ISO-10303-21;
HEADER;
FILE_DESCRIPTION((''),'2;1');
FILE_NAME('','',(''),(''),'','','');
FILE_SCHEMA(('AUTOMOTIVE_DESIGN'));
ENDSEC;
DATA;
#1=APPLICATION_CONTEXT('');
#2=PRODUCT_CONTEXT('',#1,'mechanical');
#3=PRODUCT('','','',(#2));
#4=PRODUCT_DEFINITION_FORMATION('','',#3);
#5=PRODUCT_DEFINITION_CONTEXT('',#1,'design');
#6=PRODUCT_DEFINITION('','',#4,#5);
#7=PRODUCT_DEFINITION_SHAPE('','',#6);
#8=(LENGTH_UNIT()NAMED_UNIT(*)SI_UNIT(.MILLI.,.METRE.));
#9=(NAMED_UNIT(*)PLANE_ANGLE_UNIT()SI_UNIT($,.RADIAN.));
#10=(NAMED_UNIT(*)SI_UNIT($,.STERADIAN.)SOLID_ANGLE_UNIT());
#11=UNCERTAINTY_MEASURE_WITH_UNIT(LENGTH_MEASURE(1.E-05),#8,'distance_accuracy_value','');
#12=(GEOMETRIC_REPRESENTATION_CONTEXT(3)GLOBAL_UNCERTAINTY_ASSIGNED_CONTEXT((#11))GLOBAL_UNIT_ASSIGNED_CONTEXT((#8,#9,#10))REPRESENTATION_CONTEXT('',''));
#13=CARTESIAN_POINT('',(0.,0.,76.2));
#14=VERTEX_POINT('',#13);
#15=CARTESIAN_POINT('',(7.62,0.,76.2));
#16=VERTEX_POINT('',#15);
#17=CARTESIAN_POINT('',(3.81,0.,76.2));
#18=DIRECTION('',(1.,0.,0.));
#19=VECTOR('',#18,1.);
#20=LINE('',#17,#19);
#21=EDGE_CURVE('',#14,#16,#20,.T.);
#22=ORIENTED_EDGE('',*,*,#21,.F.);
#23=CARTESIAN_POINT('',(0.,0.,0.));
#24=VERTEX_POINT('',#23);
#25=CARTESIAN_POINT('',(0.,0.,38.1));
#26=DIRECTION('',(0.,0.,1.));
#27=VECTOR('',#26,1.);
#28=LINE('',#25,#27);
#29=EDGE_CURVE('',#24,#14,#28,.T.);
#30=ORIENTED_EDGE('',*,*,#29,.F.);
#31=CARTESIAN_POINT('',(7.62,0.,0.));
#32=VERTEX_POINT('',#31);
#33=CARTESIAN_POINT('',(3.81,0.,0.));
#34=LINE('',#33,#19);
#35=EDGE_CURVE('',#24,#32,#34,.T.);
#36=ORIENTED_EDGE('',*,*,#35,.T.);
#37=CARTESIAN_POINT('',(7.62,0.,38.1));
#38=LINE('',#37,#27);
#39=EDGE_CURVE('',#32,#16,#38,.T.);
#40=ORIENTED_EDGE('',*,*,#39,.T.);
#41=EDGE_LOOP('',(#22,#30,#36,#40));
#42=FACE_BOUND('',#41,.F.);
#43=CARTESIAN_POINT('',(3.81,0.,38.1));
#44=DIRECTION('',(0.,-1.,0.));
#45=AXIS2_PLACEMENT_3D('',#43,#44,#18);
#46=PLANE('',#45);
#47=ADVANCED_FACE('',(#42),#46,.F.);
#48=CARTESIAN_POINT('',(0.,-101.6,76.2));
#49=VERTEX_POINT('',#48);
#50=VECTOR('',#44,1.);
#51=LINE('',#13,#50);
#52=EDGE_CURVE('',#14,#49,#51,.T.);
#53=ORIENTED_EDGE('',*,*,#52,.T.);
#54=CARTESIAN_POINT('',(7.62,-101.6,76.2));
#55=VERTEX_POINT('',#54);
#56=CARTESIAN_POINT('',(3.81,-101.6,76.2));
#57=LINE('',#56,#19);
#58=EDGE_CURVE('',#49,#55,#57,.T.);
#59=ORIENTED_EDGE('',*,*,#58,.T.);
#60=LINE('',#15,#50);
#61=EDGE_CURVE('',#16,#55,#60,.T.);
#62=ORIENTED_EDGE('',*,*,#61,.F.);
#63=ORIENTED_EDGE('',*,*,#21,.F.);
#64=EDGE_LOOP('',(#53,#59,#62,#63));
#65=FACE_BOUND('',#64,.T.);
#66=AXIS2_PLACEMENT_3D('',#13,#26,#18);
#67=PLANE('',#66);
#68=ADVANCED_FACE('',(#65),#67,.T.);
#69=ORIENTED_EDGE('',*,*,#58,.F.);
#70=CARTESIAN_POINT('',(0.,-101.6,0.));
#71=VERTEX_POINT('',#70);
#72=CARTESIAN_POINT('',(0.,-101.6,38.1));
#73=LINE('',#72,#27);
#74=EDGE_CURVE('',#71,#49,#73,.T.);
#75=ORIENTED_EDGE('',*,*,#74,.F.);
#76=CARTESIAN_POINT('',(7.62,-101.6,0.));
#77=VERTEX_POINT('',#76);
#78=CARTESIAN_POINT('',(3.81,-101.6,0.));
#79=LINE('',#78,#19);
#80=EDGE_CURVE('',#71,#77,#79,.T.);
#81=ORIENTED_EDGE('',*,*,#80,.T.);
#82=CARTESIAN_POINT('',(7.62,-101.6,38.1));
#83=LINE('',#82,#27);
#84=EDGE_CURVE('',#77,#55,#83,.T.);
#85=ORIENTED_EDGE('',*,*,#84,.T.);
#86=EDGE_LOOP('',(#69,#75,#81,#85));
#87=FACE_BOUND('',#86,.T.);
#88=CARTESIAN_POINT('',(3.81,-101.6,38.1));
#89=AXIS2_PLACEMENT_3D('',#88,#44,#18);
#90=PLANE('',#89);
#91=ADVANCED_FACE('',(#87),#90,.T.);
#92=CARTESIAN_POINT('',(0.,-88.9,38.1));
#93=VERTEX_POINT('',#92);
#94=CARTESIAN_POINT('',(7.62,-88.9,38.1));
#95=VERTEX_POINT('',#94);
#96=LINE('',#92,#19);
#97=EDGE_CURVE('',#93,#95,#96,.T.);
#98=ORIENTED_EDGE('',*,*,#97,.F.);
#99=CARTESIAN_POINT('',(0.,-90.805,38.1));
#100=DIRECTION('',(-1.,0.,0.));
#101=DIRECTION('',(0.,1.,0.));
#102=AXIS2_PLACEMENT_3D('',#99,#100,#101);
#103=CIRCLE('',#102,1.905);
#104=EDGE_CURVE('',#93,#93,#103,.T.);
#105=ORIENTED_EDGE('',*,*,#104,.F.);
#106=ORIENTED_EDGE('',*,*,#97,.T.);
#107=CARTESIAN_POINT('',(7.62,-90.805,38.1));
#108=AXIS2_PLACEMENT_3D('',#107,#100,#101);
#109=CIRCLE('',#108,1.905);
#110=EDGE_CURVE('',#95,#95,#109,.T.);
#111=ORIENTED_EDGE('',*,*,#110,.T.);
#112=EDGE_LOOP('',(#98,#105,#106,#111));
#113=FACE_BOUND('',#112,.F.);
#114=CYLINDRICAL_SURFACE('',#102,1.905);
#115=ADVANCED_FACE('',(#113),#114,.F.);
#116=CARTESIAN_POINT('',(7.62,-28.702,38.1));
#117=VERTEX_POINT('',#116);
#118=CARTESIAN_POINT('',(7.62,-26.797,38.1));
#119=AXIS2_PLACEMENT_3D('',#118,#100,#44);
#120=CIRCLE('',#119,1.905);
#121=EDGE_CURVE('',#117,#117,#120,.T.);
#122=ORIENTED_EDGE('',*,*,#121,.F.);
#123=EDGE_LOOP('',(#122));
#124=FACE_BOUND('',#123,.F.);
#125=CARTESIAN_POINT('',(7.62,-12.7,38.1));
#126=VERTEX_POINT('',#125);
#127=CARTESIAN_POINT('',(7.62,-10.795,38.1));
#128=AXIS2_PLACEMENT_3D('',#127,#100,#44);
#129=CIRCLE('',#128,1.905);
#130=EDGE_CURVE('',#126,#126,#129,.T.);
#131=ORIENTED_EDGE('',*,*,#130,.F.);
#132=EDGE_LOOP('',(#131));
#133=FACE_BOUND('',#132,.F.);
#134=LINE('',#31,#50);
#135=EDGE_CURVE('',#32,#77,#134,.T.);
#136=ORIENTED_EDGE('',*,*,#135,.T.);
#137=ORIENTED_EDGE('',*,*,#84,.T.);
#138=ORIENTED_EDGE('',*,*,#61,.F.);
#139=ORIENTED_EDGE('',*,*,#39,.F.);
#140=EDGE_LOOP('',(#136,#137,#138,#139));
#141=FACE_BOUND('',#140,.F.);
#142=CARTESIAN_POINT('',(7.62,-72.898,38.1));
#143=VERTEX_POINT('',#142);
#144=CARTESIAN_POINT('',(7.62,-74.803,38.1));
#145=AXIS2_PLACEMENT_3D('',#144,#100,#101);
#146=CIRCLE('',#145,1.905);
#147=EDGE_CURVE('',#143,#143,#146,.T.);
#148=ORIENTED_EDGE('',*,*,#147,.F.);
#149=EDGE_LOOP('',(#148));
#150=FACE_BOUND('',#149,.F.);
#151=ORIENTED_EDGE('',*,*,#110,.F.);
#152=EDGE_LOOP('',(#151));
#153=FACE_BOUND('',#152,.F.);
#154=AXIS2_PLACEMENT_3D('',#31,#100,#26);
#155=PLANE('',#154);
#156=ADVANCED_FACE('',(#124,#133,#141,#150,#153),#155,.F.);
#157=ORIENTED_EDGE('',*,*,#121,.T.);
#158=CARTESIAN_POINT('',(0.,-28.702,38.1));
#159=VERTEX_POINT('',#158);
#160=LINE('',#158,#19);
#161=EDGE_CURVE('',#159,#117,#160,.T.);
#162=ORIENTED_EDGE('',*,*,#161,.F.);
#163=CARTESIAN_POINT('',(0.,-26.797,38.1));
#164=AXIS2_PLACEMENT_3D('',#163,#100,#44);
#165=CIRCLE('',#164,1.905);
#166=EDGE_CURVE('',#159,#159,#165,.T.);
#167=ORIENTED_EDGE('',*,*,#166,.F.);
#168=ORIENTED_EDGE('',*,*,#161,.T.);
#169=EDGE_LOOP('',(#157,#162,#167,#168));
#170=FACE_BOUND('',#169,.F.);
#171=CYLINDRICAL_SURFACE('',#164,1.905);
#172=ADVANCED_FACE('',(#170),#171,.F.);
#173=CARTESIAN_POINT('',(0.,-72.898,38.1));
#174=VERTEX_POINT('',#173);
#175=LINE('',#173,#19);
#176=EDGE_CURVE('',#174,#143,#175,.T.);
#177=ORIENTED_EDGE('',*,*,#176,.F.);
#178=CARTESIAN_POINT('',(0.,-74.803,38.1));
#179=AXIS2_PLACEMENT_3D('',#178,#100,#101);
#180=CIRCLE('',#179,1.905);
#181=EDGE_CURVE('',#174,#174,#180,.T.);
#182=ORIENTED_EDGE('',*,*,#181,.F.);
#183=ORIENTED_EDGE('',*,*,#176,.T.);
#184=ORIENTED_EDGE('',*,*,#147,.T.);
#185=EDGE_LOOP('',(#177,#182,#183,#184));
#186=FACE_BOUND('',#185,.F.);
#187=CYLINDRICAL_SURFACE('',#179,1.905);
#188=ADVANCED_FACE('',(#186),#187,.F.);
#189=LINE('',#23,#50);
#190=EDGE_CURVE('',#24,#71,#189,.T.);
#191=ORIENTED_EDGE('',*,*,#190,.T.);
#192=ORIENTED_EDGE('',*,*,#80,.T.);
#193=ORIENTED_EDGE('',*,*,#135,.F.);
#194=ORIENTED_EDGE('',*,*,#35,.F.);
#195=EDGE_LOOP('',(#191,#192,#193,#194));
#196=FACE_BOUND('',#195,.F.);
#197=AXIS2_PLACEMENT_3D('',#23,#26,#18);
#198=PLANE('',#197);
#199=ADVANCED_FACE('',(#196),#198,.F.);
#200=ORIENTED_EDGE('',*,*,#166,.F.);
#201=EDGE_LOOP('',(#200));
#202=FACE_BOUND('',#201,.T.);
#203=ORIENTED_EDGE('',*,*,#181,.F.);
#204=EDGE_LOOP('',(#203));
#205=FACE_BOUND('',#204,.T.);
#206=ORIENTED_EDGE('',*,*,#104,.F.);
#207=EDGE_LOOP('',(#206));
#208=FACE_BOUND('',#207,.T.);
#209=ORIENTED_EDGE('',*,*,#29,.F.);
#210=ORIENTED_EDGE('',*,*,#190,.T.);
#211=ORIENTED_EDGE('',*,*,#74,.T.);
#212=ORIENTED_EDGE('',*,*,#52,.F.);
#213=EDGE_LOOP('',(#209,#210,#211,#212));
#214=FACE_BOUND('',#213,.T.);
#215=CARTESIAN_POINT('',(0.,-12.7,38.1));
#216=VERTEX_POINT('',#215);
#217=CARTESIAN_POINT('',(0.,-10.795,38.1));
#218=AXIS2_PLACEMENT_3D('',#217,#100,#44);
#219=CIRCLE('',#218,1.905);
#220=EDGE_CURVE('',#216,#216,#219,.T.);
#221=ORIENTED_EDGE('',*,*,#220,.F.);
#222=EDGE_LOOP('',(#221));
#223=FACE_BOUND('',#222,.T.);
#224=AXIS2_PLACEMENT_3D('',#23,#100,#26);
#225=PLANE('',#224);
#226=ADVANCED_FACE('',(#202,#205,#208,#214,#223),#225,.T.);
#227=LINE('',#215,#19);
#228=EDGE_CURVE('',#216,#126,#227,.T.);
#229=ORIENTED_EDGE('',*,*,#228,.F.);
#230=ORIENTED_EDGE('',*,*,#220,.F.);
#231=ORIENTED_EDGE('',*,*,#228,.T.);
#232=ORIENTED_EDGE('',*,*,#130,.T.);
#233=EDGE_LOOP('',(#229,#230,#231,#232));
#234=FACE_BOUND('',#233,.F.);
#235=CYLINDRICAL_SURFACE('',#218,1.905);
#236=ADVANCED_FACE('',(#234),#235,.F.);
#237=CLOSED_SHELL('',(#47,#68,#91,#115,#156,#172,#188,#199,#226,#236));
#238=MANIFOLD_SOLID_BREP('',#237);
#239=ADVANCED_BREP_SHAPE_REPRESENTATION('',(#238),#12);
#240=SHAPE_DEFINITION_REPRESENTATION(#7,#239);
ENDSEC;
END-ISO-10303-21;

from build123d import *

# Parameters (mm, degrees)
F0_W     = 7.62
F0_H     = 76.2
F1_DEPTH = 101.6
F2_R     = 1.905
F3_DEPTH = 25.4


with BuildPart() as f1:
    # F0 (on Front) → F1 (new body)
    with BuildSketch(Plane.XZ):
        with Locations((3.81, 38.1)):
            Rectangle(F0_W, F0_H)
    extrude(amount=F1_DEPTH)

    # F2 (on face) → F3 (cut)
    with BuildSketch(Plane(origin=(0, 0, 0), x_dir=(0, -1, 0), z_dir=(-1, 0, 0))):
        with BuildLine():
            ThreePointArc((92.71, 38.1), (90.805, 40.005), (88.9, 38.1))
            ThreePointArc((88.9, 38.1), (90.805, 36.195), (92.71, 38.1))
        make_face()
        with BuildLine():
            ThreePointArc((76.708, 38.1), (74.803, 40.005), (72.898, 38.1))
            Line((72.898, 38.1), (74.803, 38.1))
            Line((74.803, 38.1), (76.708, 38.1))
        make_face()
        with BuildLine():
            Line((74.803, 38.1), (72.898, 38.1))
            ThreePointArc((72.898, 38.1), (74.803, 36.195), (76.708, 38.1))
            Line((76.708, 38.1), (74.803, 38.1))
        make_face()
        with Locations((26.797, 38.1)):
            Circle(F2_R)
        with Locations((10.795, 38.1)):
            Circle(F2_R)
    extrude(amount=-F3_DEPTH, mode=Mode.SUBTRACT)


solid = f1.part
